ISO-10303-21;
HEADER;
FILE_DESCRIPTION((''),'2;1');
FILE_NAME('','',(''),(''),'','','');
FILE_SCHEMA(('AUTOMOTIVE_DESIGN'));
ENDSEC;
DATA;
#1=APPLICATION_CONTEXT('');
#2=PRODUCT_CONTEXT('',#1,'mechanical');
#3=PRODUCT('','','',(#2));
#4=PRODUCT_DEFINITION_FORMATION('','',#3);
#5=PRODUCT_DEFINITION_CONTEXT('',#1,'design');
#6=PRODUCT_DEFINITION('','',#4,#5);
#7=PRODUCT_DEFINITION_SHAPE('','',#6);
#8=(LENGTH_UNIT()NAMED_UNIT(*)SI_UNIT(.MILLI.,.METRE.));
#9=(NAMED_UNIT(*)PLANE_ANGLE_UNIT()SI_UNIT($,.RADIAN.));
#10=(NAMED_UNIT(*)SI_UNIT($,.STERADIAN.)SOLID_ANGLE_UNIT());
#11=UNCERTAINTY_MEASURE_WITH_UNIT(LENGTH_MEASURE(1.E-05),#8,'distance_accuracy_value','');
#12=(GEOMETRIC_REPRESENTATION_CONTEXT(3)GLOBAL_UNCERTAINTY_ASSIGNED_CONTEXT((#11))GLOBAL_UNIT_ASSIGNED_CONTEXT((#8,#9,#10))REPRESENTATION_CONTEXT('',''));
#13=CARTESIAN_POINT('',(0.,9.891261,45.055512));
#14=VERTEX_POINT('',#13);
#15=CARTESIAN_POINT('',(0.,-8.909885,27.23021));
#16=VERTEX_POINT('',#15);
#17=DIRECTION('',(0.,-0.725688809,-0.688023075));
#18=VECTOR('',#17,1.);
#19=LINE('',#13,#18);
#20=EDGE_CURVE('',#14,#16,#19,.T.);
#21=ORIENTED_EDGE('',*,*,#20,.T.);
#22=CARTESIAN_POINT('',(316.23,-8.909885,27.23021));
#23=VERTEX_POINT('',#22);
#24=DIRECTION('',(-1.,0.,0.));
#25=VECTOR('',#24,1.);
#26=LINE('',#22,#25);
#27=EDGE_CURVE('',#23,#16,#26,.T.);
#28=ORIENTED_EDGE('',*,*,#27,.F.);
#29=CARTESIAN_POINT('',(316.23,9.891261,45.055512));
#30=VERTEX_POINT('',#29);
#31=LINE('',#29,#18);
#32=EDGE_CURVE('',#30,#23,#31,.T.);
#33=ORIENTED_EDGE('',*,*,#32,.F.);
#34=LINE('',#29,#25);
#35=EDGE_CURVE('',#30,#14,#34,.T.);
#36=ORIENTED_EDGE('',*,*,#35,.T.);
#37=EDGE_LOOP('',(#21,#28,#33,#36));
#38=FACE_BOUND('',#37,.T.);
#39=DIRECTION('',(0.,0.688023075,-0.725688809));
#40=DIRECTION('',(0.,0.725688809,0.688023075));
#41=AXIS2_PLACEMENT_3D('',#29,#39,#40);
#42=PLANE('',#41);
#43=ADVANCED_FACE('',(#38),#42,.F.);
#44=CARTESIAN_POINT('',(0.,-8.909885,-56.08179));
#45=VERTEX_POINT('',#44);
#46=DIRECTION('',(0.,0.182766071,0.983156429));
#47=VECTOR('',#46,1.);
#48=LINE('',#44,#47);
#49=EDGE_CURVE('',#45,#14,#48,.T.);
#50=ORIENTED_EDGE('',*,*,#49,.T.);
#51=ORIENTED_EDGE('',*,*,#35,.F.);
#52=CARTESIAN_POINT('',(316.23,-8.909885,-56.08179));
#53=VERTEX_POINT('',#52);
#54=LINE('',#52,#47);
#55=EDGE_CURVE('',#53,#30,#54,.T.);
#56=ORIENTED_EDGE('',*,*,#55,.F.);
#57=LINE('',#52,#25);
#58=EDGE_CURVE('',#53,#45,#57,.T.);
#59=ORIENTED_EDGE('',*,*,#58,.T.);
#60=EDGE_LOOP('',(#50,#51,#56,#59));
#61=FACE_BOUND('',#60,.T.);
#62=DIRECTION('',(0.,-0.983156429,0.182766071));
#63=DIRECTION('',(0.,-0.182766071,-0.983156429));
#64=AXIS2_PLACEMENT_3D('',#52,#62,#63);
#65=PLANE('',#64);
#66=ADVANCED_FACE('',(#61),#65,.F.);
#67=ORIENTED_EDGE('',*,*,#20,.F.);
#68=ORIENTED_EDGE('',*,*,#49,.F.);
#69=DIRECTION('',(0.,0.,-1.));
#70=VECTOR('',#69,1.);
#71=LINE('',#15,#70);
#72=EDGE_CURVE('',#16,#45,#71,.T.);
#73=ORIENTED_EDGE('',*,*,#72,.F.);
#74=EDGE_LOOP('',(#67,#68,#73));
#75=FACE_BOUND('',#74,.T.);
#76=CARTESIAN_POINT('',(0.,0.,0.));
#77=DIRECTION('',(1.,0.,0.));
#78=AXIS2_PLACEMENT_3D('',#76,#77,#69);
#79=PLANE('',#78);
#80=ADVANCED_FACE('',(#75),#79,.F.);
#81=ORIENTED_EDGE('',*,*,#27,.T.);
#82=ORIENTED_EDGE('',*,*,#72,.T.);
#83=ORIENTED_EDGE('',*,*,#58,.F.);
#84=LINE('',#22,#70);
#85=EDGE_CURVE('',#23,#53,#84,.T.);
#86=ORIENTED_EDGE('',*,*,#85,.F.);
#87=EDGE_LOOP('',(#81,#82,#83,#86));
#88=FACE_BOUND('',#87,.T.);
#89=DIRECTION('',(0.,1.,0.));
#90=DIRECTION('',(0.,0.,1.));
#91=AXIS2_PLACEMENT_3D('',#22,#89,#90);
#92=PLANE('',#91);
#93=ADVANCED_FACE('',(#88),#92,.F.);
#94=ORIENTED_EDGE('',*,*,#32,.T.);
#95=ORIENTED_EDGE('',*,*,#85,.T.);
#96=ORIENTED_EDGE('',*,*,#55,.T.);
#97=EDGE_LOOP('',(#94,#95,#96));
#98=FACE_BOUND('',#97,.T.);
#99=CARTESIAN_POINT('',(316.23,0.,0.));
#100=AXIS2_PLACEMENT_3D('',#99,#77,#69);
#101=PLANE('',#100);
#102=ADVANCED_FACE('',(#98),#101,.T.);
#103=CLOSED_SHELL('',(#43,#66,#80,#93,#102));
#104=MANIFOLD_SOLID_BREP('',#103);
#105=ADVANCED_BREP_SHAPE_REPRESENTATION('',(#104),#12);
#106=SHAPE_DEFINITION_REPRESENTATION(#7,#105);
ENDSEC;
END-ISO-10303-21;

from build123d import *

# Parameters (mm, degrees)
BOSS_EXTRUDE1_DEPTH = 316.23


with BuildPart() as part:
    # Sketch1 → Boss-Extrude1 (new body)
    with BuildSketch(Plane(origin=(0, 0, 0), x_dir=(0, 0, -1), z_dir=(1, 0, 0))):
        Polygon((-45.055511651, 9.891260844), (-27.230209822, -8.909884831), (56.081790178, -8.909884831), align=None)
    extrude(amount=BOSS_EXTRUDE1_DEPTH)


solid = part.part
